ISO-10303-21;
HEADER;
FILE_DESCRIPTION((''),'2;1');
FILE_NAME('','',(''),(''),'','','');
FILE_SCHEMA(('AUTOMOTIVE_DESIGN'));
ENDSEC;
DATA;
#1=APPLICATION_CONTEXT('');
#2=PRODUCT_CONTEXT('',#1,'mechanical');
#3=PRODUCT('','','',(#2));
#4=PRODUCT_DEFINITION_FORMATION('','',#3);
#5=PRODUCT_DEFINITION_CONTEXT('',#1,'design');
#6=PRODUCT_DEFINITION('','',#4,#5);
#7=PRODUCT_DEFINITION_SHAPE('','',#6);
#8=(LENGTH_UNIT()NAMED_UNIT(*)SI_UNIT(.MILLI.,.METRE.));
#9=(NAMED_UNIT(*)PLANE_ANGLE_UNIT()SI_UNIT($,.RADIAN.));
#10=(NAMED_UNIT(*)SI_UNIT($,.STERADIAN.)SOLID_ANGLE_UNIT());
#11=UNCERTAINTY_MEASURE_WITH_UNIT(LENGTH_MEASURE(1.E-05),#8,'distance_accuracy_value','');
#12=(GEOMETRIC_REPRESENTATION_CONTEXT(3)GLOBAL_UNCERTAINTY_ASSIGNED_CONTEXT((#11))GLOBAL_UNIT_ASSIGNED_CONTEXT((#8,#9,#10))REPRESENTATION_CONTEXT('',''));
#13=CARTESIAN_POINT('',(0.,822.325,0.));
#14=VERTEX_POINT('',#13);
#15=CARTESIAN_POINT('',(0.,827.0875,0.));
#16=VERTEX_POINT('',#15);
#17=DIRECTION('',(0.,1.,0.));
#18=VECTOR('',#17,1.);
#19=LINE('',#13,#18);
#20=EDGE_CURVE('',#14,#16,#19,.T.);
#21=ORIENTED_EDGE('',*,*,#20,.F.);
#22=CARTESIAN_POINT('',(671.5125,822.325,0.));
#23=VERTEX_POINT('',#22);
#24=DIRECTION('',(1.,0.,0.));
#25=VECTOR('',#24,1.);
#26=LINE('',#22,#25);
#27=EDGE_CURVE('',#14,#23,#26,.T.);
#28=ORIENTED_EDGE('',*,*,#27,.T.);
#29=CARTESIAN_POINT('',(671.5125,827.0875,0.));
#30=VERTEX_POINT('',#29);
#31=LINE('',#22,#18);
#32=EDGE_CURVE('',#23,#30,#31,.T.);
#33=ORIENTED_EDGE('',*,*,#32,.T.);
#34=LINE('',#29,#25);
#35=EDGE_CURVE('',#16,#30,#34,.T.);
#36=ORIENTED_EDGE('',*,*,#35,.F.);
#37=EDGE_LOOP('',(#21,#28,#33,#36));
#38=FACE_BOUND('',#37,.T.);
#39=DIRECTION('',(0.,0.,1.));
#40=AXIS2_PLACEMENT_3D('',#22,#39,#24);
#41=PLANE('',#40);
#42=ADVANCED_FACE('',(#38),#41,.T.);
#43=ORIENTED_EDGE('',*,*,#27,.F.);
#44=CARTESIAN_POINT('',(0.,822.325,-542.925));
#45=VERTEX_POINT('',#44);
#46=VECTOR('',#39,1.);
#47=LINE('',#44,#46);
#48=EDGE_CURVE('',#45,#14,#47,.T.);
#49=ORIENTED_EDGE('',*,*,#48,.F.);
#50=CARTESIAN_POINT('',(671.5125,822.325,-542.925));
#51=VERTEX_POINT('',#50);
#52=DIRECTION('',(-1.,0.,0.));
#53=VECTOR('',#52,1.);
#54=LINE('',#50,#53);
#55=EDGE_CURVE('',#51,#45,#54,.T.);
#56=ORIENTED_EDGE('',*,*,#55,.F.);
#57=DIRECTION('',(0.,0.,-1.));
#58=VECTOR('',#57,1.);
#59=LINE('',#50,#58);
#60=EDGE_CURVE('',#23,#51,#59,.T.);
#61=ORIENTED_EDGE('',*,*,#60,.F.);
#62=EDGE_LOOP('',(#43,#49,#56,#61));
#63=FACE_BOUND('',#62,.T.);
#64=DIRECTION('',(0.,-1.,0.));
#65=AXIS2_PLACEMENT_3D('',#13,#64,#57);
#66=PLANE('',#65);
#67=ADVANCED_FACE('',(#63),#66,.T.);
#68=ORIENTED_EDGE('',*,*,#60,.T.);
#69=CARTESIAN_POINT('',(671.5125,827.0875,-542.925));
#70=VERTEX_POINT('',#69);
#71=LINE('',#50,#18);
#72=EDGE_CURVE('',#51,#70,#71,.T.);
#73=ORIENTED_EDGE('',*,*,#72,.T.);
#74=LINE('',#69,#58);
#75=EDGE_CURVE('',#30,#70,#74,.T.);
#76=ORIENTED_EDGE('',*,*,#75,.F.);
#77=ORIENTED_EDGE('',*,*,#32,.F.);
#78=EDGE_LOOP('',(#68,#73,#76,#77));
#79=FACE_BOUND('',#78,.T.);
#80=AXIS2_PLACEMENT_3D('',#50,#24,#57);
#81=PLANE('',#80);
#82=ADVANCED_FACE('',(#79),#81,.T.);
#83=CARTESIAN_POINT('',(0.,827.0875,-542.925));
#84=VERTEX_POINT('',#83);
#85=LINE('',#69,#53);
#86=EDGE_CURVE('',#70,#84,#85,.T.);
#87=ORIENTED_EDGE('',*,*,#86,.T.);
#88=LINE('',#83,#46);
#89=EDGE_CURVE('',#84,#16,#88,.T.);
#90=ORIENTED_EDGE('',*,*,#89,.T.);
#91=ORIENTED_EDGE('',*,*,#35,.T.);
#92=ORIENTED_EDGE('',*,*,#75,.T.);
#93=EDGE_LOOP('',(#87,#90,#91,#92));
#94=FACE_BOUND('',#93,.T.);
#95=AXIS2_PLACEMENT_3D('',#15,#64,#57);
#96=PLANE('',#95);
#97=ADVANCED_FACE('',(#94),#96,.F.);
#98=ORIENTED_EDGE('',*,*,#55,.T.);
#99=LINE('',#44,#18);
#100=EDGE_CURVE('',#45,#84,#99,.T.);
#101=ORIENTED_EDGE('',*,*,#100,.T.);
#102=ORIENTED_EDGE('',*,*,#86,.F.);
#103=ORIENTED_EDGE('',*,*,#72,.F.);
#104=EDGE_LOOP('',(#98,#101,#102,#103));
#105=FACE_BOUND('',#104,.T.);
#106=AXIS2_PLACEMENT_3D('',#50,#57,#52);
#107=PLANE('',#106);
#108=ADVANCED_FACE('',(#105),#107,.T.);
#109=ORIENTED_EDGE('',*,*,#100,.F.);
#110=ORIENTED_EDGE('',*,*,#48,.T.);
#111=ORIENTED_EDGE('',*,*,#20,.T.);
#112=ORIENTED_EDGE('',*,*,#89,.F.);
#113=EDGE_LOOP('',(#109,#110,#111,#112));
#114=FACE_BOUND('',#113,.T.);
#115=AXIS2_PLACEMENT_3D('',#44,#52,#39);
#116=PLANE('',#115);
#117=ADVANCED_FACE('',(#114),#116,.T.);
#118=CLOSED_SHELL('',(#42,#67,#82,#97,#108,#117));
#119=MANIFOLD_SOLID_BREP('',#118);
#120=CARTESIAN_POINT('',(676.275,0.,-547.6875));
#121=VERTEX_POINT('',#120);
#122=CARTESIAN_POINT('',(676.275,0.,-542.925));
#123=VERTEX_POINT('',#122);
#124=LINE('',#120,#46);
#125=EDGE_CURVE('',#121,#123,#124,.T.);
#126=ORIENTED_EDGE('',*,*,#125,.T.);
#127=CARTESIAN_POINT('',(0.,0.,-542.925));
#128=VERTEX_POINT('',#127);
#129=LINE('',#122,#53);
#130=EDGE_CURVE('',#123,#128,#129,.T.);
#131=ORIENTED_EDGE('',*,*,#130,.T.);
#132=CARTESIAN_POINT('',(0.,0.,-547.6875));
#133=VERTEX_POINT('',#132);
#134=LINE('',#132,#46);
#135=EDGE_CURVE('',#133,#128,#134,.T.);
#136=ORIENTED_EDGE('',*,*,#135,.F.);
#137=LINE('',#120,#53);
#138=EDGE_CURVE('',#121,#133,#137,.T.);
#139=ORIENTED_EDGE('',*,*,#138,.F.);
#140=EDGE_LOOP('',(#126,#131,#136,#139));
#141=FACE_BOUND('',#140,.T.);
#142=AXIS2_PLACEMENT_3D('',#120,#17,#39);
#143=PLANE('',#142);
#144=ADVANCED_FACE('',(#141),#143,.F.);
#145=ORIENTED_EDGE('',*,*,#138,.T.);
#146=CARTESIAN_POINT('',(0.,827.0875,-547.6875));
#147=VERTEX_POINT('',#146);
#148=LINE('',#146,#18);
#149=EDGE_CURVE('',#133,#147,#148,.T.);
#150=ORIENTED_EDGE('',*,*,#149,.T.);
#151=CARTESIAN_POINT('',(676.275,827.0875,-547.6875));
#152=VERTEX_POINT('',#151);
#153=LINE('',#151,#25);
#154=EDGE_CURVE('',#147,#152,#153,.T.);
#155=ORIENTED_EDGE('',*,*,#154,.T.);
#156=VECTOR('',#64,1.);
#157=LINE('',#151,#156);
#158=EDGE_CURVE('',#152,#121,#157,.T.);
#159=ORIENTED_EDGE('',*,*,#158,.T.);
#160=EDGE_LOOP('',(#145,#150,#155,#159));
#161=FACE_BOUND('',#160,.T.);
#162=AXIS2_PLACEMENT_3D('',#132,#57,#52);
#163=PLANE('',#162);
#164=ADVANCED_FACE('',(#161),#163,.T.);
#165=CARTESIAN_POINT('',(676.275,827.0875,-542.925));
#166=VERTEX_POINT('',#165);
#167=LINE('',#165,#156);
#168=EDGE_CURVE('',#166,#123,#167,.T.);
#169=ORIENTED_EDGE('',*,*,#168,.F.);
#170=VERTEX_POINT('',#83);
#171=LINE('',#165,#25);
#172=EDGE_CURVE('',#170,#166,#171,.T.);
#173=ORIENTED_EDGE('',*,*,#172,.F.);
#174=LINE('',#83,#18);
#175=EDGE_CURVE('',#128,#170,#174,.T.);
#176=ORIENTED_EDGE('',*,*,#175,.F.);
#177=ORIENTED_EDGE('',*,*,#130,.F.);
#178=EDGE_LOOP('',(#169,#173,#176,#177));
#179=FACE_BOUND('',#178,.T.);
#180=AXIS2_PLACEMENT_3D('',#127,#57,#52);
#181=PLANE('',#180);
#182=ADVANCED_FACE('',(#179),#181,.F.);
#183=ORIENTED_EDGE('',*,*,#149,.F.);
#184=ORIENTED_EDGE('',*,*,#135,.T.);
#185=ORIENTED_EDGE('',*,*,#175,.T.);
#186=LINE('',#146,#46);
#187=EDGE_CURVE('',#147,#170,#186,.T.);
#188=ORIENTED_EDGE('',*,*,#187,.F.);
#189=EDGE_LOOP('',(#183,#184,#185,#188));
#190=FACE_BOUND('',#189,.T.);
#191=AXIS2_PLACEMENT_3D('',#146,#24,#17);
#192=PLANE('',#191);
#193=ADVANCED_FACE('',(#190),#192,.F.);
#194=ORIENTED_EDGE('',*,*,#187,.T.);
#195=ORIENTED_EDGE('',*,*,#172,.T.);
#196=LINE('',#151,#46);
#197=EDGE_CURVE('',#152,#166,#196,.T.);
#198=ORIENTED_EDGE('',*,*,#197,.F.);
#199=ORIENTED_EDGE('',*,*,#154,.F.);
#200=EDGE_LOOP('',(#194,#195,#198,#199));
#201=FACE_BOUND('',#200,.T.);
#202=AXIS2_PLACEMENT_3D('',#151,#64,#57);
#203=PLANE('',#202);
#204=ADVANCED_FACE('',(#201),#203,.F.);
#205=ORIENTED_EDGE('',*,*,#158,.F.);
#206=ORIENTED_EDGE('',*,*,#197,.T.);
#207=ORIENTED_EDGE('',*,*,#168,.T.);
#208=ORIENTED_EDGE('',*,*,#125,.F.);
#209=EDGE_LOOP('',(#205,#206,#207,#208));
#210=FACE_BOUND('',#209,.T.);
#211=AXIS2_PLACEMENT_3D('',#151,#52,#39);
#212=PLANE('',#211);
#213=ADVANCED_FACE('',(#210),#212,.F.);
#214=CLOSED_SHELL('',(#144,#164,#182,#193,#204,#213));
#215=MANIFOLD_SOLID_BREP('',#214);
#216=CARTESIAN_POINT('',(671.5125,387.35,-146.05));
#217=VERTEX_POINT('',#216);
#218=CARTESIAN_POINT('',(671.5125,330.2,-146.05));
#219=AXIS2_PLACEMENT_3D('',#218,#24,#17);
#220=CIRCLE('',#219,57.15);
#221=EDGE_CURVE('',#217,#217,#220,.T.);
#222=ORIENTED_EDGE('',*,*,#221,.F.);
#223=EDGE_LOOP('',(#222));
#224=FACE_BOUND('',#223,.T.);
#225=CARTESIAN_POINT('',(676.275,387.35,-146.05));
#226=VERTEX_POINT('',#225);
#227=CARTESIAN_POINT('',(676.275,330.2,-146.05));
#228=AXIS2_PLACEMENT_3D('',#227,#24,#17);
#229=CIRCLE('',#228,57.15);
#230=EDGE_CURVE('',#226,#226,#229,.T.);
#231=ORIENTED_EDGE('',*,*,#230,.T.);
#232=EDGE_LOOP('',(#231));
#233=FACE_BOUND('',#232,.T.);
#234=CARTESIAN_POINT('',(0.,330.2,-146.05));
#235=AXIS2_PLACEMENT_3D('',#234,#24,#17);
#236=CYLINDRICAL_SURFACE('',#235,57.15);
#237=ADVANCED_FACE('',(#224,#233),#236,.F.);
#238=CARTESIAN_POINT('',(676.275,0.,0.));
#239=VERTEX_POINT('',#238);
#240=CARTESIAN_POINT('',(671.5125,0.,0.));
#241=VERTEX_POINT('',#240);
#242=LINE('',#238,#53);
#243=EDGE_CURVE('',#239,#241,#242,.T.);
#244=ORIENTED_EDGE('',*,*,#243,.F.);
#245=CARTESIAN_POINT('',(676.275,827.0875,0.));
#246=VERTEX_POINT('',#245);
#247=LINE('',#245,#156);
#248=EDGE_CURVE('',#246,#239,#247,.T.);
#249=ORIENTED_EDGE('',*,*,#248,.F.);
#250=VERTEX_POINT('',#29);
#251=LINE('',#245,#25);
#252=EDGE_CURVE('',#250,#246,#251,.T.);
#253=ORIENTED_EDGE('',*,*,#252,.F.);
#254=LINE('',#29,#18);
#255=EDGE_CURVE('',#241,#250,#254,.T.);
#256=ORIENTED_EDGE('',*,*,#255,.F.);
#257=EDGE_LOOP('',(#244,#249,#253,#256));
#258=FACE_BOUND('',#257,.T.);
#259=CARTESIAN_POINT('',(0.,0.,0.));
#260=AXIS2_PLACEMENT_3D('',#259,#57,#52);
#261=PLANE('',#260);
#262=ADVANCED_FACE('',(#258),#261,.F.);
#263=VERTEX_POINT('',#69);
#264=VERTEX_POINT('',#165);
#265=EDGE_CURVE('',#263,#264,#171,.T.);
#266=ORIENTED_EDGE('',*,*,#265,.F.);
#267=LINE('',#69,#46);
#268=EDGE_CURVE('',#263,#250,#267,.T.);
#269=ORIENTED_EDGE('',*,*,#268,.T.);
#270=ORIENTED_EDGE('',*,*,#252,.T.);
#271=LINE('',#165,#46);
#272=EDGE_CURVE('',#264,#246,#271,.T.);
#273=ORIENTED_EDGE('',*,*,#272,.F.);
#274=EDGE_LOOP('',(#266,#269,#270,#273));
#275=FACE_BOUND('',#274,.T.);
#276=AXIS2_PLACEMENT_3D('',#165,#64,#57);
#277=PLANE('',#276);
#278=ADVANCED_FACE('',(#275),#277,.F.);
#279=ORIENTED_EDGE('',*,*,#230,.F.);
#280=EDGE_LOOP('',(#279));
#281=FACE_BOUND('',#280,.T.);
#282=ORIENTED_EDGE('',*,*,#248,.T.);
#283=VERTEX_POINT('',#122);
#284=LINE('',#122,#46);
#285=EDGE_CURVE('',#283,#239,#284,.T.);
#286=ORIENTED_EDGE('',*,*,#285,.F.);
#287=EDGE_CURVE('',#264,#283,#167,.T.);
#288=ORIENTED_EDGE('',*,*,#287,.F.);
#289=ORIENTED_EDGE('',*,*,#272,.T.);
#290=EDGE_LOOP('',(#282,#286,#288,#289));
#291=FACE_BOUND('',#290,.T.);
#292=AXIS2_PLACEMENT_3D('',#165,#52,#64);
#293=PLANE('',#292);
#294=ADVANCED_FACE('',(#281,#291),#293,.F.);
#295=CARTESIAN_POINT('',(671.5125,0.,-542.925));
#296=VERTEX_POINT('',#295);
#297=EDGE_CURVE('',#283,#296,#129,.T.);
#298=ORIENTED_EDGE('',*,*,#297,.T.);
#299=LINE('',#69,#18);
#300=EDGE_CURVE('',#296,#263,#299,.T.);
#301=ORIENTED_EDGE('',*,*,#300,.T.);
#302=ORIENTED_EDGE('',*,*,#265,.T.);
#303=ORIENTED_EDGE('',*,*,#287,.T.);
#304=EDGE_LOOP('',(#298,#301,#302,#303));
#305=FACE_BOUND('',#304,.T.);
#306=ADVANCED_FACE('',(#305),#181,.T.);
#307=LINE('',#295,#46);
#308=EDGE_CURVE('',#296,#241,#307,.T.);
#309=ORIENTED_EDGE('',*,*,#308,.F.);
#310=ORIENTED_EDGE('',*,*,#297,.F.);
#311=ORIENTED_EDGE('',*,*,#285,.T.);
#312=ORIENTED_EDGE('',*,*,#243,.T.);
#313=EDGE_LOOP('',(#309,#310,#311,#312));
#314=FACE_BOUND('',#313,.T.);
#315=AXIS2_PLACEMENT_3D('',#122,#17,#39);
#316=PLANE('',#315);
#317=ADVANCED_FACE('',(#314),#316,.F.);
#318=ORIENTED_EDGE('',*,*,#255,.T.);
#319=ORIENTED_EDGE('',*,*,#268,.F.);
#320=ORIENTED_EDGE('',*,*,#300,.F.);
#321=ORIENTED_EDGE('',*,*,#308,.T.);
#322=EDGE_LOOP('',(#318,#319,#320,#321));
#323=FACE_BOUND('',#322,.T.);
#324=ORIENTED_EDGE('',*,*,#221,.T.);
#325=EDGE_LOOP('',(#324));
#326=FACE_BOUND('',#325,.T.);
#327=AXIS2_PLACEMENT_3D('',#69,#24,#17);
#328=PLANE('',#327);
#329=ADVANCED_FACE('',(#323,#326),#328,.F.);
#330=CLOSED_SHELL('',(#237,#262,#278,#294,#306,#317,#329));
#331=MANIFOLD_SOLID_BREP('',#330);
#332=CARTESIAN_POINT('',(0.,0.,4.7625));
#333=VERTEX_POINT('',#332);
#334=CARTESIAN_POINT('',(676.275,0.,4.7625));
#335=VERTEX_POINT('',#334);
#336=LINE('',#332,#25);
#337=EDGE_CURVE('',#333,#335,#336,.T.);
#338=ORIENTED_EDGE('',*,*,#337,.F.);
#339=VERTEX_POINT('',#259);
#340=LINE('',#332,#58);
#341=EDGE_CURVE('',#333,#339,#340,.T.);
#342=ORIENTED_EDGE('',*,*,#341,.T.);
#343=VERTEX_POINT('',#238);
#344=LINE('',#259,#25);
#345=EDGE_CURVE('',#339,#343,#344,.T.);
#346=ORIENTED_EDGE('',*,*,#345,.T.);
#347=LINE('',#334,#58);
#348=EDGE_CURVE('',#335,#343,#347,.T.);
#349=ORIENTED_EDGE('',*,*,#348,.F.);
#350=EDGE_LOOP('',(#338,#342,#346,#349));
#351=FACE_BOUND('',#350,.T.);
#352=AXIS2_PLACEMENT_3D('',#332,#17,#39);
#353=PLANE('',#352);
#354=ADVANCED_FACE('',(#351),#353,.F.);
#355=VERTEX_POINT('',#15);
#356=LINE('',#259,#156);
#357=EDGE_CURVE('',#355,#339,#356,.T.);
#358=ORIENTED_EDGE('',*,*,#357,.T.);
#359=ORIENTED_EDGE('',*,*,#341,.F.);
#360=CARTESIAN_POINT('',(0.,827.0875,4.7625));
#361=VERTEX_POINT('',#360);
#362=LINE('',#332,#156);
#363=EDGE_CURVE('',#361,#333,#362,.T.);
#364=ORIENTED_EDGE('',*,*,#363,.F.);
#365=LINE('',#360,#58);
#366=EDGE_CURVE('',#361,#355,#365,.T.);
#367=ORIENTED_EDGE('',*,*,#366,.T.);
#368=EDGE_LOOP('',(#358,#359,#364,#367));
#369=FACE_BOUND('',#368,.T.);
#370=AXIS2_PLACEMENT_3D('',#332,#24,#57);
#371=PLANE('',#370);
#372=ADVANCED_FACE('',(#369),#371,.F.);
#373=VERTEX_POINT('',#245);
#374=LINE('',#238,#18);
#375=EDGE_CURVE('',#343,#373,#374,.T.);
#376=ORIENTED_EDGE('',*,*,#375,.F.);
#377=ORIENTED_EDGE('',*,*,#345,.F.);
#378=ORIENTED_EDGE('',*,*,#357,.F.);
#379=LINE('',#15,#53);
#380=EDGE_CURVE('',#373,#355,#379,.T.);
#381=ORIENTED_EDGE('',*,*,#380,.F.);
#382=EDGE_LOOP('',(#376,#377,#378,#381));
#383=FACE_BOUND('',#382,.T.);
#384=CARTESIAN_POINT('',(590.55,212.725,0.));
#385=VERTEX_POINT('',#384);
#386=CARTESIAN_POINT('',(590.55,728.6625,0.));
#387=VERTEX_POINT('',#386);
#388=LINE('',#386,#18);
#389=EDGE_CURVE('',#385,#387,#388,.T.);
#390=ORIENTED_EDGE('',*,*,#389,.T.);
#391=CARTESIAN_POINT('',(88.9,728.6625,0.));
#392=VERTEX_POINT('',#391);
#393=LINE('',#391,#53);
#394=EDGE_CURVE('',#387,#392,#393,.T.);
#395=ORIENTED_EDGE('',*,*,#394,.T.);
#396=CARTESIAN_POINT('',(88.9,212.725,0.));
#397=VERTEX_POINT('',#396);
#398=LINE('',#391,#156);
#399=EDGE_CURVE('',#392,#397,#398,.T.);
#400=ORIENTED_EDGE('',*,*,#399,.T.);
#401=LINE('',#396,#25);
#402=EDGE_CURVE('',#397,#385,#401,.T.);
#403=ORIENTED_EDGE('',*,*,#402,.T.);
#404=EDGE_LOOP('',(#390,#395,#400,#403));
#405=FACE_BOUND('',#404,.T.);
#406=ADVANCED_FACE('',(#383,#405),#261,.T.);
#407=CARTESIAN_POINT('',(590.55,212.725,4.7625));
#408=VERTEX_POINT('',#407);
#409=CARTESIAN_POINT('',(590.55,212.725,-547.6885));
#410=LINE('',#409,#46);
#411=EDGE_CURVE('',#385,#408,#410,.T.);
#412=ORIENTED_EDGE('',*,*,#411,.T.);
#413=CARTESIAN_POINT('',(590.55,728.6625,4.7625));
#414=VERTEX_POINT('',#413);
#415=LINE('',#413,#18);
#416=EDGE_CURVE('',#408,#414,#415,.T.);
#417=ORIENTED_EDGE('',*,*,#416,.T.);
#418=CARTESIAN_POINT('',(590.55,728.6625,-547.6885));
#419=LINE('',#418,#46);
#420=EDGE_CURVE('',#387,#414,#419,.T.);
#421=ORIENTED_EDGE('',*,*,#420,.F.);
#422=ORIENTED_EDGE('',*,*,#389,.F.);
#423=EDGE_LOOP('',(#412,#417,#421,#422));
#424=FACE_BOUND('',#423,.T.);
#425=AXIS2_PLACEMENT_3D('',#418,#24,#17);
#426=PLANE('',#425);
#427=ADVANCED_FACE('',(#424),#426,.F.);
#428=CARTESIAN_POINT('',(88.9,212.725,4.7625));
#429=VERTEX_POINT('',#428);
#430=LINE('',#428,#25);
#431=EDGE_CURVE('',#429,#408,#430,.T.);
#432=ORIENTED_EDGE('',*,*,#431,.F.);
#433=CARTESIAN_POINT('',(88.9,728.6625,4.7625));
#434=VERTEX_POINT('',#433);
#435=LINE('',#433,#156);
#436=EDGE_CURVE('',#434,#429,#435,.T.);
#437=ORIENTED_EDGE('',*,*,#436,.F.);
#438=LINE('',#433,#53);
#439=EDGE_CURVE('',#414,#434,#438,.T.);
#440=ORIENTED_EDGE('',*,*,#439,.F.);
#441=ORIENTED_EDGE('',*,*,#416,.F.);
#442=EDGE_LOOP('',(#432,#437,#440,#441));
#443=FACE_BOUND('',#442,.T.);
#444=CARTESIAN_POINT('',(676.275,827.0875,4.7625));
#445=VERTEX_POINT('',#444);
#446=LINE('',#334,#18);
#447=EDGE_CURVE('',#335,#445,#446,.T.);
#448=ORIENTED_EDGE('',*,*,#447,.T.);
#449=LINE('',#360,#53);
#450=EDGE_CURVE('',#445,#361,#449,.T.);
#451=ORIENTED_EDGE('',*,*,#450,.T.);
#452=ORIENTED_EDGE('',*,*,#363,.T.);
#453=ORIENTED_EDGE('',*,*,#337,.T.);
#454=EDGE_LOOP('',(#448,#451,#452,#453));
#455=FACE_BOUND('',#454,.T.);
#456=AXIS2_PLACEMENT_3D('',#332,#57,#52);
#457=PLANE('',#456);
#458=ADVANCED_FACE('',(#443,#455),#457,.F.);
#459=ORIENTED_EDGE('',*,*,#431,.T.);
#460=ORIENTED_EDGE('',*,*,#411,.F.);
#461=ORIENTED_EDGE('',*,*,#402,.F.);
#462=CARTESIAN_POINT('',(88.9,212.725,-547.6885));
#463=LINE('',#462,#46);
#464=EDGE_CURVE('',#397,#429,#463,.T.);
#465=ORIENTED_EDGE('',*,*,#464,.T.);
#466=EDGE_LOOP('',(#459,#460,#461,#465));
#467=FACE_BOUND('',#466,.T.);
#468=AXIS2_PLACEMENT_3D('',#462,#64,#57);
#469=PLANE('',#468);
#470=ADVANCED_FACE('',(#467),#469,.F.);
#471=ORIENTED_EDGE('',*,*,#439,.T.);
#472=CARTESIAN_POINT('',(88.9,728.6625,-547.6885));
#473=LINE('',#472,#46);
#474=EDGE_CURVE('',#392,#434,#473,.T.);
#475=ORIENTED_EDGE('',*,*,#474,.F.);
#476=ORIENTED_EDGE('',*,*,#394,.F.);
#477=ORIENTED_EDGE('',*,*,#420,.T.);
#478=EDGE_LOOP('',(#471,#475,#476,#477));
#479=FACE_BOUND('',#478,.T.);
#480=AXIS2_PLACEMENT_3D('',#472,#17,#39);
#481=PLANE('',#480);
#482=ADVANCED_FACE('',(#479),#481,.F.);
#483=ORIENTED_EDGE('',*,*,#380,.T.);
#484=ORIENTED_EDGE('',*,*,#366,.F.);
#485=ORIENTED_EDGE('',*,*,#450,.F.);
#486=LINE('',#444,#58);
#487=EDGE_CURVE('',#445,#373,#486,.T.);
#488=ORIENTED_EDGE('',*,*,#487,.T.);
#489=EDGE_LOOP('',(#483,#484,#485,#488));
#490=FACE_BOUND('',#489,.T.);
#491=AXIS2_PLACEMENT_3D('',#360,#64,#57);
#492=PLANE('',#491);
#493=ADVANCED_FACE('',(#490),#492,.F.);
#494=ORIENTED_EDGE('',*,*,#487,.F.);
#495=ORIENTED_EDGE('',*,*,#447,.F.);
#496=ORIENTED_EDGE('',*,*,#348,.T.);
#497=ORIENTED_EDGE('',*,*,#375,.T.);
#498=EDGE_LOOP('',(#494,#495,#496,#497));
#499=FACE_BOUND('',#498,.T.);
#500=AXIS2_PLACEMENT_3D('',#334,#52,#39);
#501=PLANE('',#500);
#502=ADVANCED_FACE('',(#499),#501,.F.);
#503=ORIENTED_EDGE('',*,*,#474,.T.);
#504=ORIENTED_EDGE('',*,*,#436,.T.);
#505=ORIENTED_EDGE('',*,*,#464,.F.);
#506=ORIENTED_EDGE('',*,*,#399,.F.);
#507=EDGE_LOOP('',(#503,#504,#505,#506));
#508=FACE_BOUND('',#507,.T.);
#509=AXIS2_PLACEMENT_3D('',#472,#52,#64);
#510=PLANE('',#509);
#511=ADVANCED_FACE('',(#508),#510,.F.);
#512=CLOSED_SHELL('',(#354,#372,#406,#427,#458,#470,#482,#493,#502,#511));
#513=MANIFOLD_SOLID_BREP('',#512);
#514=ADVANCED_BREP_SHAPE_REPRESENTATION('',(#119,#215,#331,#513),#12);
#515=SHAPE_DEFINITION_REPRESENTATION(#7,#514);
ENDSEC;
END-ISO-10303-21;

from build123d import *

# Parameters (mm, degrees)
SKETCH1_W           = 676.275
SKETCH1_H           = 827.0875
BOSS_EXTRUDE1_DEPTH = 4.7625
SKETCH2_W           = 4.7625
SKETCH2_H           = 827.0875
BOSS_EXTRUDE2_DEPTH = 542.925
SKETCH7_W           = 676.275
SKETCH7_H           = 827.0875
BOSS_EXTRUDE4_DEPTH = 4.7625
SKETCH8_W           = 671.5125
SKETCH8_H           = 542.925
BOSS_EXTRUDE6_DEPTH = 4.7625
SKETCH9_W           = 501.65
SKETCH9_H           = 515.9375
CUT_EXTRUDE1_DEPTH  = 4.7625
SKETCH10_R          = 57.15
CUT_EXTRUDE2_DEPTH  = 1201.576197472


with BuildPart() as part:
    # Sketch1 → Boss-Extrude1 (new body)
    with BuildSketch(Plane.XY):
        with Locations((338.1375, 413.54375)):
            Rectangle(SKETCH1_W, SKETCH1_H)
    extrude(amount=BOSS_EXTRUDE1_DEPTH)

    # Sketch9 → Cut-Extrude1 (cut)
    with BuildSketch(Plane.XY.offset(4.7625)):
        with Locations((339.725, 470.69375)):
            Rectangle(SKETCH9_W, SKETCH9_H)
    extrude(amount=-CUT_EXTRUDE1_DEPTH, mode=Mode.SUBTRACT)


with BuildPart() as body_2:
    # Sketch2 → Boss-Extrude2 (new body)
    with BuildSketch(Plane(origin=(0, 0, 0), x_dir=(-1, 0, 0), z_dir=(0, 0, -1))):
        with Locations((-673.89375, 413.54375)):
            Rectangle(SKETCH2_W, SKETCH2_H)
    extrude(amount=BOSS_EXTRUDE2_DEPTH)

    # Sketch10 → Cut-Extrude2 (cut, through all)
    with BuildSketch(Plane(origin=(676.275, 0, 0), x_dir=(0, 0, -1), z_dir=(1, 0, 0))):
        with Locations(Location((146.05, 330.2, 0), (0, 0, 90))):
            Circle(SKETCH10_R)
    extrude(amount=-CUT_EXTRUDE2_DEPTH, mode=Mode.SUBTRACT)


with BuildPart() as body_3:
    # Sketch7 → Boss-Extrude4 (new body)
    with BuildSketch(Plane(origin=(0, 0, -542.925), x_dir=(-1, 0, 0), z_dir=(0, 0, -1))):
        with Locations((-338.1375, 413.54375)):
            Rectangle(SKETCH7_W, SKETCH7_H)
    extrude(amount=BOSS_EXTRUDE4_DEPTH)


with BuildPart() as body_4:
    # Sketch8 → Boss-Extrude6 (new body)
    with BuildSketch(Plane(origin=(0, 827.0875, 0), x_dir=(1, 0, 0), z_dir=(0, 1, 0))):
        with Locations((335.75625, 271.4625)):
            Rectangle(SKETCH8_W, SKETCH8_H)
    extrude(amount=-BOSS_EXTRUDE6_DEPTH)


solid = Compound([part.part, body_2.part, body_3.part, body_4.part])
